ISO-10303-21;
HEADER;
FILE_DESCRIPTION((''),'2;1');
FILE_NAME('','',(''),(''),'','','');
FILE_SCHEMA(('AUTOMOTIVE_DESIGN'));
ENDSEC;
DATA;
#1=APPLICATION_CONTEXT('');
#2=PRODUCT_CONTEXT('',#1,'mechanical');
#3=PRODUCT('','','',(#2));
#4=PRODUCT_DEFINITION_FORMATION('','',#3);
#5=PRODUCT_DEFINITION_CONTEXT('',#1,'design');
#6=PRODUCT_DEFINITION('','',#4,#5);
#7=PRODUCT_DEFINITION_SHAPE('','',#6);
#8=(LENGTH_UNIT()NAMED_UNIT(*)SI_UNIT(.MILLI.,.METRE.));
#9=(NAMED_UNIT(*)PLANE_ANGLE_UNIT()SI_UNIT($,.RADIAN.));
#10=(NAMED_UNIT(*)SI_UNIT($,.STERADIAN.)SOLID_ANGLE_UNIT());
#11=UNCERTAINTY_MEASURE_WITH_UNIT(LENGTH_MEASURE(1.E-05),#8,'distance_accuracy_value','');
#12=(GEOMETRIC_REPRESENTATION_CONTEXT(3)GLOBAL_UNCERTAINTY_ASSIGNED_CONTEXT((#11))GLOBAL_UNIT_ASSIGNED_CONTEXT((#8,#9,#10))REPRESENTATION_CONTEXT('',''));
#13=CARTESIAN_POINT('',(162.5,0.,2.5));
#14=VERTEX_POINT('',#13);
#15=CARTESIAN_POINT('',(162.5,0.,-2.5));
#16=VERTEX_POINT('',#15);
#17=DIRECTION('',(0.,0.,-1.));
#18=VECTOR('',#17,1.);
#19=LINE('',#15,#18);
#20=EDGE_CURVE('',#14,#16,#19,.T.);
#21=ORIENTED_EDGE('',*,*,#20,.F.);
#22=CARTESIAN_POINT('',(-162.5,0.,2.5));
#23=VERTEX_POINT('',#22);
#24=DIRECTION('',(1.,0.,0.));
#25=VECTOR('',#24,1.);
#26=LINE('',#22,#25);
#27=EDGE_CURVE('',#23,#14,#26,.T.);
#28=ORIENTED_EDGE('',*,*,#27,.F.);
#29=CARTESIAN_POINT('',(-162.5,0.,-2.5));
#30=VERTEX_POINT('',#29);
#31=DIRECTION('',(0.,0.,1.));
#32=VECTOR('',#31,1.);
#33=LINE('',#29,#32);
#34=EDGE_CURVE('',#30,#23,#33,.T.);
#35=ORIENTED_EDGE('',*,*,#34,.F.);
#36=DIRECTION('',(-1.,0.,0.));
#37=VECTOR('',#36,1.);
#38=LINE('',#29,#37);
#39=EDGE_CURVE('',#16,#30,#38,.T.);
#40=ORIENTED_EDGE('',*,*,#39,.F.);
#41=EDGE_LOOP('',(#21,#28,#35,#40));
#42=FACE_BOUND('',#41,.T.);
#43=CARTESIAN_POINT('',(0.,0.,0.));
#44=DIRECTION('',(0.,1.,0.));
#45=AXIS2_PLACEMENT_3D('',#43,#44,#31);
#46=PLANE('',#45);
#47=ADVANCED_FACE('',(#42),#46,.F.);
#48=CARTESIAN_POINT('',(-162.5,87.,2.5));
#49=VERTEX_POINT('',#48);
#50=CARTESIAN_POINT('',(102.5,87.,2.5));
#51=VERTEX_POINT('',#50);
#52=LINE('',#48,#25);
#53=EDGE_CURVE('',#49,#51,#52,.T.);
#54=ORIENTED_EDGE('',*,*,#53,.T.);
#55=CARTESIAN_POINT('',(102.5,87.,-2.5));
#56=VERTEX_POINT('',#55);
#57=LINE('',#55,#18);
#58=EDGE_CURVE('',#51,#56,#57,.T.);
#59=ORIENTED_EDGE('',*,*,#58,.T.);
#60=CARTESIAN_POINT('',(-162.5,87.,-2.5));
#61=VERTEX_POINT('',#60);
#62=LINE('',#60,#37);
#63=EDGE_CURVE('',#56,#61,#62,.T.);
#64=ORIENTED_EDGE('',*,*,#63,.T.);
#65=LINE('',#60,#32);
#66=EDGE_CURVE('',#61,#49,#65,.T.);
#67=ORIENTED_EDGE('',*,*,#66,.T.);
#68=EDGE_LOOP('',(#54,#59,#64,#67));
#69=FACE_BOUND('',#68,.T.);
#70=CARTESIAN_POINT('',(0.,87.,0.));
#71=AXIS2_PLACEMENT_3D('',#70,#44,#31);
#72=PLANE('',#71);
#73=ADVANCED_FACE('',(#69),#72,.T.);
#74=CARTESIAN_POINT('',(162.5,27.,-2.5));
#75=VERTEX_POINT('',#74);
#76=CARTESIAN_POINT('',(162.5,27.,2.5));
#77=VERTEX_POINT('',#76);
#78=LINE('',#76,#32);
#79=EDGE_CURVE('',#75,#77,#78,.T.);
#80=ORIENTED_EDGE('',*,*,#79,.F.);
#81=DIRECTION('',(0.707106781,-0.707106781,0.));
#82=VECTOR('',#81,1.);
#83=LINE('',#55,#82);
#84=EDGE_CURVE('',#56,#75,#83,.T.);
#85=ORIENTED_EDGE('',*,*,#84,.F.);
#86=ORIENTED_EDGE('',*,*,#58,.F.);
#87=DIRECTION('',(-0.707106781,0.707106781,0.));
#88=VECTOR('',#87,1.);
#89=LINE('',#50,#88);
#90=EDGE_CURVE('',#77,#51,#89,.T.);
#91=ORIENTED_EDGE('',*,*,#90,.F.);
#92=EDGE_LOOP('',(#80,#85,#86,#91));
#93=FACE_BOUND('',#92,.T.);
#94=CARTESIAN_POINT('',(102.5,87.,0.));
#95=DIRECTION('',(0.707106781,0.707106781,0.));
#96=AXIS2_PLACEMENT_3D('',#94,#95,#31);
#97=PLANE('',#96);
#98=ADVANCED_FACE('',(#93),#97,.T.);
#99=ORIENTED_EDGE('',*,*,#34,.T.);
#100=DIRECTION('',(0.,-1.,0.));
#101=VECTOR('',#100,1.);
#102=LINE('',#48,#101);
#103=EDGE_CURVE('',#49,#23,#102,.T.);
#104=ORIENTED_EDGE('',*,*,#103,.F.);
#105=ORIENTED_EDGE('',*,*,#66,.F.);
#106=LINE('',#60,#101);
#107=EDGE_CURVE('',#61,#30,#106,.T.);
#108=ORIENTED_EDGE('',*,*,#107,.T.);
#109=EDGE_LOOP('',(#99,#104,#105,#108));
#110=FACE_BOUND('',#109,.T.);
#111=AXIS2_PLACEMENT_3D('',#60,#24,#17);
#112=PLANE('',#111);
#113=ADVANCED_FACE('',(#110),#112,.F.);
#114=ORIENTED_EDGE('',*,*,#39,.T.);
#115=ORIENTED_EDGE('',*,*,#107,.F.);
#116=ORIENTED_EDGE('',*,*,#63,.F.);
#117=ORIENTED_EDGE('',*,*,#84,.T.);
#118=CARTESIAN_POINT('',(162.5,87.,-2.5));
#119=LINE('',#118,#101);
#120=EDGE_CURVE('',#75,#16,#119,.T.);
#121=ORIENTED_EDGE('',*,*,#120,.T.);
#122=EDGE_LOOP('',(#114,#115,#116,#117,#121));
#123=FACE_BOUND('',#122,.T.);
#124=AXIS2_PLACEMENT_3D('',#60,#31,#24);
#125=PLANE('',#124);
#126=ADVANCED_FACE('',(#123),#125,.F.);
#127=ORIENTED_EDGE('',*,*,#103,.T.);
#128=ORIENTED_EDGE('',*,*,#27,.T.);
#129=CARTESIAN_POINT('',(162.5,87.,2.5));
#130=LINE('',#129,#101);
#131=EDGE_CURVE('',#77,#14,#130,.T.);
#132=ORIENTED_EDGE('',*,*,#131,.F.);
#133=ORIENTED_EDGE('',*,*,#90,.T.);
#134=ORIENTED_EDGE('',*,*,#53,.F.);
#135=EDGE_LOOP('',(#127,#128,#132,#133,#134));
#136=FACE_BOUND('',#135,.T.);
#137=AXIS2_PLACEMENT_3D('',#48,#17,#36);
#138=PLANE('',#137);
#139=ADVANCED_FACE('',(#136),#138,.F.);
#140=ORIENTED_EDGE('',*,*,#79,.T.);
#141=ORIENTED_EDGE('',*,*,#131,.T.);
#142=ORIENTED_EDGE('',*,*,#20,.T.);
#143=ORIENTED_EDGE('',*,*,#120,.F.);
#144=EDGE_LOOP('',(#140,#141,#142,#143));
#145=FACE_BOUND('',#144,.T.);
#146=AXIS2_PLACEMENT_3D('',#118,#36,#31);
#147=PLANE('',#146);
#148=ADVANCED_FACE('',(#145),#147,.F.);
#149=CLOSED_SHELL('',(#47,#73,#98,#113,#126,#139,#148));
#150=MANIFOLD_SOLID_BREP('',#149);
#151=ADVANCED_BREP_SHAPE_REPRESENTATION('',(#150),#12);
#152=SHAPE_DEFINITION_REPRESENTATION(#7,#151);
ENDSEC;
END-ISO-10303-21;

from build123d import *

# Parameters (mm, degrees)
SKETCH1_W           = 325
SKETCH1_H           = 5
BOSS_EXTRUDE1_DEPTH = 87
CHAMFER1_SIZE       = 60


with BuildPart() as part:
    # Sketch1 → Boss-Extrude1 (new body)
    with BuildSketch(Plane(origin=(0, 0, 0), x_dir=(1, 0, 0), z_dir=(0, 1, 0))):
        Rectangle(SKETCH1_W, SKETCH1_H)
    extrude(amount=BOSS_EXTRUDE1_DEPTH)

    # Chamfer1
    chamfer1_edges = [part.edges().sort_by_distance(p)[0] for p in [
        (162.5, 87, 0),
    ]]
    chamfer(chamfer1_edges, length=CHAMFER1_SIZE)


solid = part.part
